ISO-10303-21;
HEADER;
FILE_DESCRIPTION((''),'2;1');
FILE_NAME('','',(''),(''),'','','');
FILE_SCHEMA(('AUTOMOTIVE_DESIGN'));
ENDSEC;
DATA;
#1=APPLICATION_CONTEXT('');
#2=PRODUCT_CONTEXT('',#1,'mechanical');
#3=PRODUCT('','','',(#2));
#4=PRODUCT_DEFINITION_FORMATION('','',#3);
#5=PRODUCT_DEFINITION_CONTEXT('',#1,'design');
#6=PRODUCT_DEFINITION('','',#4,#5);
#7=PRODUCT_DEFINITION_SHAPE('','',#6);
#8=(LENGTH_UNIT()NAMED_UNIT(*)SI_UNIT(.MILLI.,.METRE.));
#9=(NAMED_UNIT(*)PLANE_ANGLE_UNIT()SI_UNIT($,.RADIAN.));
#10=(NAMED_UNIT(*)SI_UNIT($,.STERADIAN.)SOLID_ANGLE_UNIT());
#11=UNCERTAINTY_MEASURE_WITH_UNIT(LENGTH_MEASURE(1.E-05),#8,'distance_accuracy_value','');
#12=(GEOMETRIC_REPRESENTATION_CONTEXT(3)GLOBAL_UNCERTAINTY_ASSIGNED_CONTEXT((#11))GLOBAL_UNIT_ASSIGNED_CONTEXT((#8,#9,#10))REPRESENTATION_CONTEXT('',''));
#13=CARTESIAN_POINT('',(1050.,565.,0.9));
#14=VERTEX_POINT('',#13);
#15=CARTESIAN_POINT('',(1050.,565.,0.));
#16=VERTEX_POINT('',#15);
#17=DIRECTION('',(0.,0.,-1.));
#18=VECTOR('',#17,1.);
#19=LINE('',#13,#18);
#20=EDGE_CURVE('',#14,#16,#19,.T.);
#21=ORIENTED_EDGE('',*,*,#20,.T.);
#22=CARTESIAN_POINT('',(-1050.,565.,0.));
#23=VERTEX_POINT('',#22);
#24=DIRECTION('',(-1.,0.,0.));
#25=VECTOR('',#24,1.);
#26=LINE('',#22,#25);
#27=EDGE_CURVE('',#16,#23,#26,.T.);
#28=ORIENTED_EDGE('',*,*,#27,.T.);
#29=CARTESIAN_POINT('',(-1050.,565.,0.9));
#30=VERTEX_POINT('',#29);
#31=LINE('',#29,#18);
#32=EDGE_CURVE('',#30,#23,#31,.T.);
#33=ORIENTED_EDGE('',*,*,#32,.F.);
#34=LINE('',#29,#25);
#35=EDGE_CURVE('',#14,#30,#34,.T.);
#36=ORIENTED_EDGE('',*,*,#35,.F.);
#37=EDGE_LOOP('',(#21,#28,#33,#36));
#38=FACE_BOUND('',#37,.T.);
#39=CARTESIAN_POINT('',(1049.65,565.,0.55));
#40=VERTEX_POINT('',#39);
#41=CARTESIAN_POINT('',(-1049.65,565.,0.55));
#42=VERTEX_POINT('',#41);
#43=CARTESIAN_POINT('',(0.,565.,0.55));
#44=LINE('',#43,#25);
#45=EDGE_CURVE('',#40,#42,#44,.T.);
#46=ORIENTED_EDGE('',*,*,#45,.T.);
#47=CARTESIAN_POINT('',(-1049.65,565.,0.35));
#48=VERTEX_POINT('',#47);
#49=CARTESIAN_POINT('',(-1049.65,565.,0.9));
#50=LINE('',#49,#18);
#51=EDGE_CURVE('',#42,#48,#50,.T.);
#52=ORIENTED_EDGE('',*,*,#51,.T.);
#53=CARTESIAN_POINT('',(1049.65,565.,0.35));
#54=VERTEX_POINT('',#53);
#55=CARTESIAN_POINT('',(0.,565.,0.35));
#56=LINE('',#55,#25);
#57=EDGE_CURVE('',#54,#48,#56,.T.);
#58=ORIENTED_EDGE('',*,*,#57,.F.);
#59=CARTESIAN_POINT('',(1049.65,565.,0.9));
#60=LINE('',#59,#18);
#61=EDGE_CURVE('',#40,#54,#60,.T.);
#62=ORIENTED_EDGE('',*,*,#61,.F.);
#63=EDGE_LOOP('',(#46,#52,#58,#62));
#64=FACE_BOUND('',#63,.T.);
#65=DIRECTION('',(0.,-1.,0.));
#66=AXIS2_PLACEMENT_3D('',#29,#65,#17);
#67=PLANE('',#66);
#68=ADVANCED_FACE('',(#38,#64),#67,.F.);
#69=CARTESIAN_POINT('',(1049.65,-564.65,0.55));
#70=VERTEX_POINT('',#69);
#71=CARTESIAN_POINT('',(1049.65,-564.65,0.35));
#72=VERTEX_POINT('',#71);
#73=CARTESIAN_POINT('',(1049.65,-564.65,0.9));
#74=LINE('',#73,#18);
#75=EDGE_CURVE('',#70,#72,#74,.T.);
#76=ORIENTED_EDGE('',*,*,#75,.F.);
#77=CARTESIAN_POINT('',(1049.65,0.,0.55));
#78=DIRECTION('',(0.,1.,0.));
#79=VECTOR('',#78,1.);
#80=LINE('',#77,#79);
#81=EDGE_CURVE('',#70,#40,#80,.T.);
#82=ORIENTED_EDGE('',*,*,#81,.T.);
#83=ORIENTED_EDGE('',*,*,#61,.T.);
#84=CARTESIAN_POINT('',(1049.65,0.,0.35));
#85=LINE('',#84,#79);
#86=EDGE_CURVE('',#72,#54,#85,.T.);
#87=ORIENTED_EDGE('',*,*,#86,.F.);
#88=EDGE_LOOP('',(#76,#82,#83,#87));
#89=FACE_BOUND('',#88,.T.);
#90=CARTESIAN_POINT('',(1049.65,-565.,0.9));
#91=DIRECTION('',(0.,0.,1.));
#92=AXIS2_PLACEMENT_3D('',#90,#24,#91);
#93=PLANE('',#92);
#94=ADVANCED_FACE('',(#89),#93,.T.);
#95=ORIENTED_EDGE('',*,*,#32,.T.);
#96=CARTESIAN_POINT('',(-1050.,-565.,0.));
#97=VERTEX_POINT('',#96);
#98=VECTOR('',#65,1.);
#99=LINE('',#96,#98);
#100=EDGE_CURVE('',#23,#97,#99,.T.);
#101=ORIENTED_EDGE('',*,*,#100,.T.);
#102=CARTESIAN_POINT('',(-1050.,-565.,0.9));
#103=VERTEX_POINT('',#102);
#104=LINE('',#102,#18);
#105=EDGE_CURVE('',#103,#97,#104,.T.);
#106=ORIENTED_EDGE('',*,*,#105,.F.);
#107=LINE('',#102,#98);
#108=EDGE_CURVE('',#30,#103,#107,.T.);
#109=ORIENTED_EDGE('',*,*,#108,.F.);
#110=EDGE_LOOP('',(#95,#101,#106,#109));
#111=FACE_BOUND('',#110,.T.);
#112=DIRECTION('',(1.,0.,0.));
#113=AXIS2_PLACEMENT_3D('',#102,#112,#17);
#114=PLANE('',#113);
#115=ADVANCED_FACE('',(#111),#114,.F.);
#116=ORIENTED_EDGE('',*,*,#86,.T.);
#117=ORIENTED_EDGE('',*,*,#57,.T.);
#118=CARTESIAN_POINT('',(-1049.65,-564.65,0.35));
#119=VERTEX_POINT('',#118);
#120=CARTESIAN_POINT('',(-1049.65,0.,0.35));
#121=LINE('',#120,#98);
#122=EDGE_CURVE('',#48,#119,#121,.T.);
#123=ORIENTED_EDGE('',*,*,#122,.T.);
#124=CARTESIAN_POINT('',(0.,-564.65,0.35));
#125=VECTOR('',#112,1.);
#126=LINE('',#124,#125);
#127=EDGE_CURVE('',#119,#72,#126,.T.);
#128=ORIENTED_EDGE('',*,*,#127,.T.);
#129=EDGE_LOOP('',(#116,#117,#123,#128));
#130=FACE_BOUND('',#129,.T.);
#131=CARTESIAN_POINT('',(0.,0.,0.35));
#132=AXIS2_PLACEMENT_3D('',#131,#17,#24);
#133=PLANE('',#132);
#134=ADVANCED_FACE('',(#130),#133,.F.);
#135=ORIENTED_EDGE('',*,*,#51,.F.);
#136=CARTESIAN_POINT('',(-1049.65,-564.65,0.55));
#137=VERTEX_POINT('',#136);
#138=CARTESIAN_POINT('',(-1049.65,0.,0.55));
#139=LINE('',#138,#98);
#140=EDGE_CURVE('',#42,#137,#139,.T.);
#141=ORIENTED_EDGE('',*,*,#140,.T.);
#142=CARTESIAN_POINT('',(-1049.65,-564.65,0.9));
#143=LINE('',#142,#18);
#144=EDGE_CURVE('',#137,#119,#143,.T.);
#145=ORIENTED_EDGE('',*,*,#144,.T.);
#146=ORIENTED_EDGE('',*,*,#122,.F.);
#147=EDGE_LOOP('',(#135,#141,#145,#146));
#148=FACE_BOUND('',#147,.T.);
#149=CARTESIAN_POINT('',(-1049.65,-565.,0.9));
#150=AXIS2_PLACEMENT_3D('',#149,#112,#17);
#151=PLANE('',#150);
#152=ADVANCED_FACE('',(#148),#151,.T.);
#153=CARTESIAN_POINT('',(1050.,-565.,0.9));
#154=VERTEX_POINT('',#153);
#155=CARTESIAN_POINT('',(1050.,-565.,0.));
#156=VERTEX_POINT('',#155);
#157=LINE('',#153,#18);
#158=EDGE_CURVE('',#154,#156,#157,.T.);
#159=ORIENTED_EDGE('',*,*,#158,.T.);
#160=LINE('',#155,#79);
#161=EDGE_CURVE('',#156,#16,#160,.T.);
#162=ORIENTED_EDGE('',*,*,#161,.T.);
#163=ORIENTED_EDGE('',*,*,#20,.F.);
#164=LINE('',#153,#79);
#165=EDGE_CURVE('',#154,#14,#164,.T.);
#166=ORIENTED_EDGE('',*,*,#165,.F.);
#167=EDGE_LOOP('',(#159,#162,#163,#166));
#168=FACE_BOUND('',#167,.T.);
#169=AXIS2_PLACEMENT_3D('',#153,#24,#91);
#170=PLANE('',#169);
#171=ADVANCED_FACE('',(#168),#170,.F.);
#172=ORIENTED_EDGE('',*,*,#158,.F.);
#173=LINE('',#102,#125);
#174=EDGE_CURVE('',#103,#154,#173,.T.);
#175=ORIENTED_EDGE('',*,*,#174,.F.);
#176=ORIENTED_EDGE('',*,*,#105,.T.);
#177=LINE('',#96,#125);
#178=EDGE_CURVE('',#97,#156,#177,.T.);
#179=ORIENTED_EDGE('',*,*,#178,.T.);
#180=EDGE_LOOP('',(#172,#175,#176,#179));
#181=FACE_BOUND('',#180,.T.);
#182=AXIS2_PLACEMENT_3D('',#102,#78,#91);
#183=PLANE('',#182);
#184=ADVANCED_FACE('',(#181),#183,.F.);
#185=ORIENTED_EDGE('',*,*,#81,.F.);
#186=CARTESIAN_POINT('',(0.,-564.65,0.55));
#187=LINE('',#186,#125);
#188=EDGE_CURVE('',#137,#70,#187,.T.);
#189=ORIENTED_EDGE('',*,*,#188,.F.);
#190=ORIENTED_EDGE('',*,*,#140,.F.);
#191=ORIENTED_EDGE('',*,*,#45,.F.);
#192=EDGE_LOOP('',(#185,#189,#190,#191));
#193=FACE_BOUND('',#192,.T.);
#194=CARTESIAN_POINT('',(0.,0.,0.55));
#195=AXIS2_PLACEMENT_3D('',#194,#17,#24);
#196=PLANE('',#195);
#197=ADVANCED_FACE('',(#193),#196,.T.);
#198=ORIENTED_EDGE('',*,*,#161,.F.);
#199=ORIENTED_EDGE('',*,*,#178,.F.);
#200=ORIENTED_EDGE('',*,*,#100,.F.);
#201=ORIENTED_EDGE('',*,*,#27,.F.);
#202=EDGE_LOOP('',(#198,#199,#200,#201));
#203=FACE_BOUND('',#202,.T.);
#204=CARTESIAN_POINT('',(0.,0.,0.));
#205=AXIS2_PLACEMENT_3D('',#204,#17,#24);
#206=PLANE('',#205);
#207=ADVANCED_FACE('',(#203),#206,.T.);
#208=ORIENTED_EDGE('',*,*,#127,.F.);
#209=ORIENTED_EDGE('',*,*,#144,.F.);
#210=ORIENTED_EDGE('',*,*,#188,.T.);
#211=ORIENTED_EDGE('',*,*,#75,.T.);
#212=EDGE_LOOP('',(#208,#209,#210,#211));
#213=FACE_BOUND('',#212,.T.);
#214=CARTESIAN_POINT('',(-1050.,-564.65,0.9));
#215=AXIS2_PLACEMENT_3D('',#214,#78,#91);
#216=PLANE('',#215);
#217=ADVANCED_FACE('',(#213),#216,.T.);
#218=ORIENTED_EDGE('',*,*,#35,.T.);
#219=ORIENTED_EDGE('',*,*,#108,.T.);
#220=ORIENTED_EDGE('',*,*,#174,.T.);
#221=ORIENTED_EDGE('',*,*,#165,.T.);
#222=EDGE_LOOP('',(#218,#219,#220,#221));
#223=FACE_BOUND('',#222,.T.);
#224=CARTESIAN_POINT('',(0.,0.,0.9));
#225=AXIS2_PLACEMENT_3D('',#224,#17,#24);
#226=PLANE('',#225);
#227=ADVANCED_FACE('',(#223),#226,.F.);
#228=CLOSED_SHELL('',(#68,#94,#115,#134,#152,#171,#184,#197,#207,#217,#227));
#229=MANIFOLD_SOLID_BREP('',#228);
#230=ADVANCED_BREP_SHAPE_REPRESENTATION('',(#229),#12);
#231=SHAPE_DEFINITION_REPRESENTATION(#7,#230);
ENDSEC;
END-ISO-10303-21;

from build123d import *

# Parameters (mm, degrees)
SKETCH1_W           = 2100
SKETCH1_H           = 1130
BOSS_EXTRUDE1_DEPTH = 0.9
SHELL1_T            = -0.35


with BuildPart() as part:
    # Sketch1 → Boss-Extrude1 (new body)
    with BuildSketch(Plane.XY):
        Rectangle(SKETCH1_W, SKETCH1_H)
    extrude(amount=BOSS_EXTRUDE1_DEPTH)

    # Shell1
    shell1_openings = [part.faces().sort_by_distance(p)[0] for p in [
        (0, 565, 0.45),
    ]]
    offset(amount=SHELL1_T, openings=shell1_openings, kind=Kind.INTERSECTION)


solid = part.part
